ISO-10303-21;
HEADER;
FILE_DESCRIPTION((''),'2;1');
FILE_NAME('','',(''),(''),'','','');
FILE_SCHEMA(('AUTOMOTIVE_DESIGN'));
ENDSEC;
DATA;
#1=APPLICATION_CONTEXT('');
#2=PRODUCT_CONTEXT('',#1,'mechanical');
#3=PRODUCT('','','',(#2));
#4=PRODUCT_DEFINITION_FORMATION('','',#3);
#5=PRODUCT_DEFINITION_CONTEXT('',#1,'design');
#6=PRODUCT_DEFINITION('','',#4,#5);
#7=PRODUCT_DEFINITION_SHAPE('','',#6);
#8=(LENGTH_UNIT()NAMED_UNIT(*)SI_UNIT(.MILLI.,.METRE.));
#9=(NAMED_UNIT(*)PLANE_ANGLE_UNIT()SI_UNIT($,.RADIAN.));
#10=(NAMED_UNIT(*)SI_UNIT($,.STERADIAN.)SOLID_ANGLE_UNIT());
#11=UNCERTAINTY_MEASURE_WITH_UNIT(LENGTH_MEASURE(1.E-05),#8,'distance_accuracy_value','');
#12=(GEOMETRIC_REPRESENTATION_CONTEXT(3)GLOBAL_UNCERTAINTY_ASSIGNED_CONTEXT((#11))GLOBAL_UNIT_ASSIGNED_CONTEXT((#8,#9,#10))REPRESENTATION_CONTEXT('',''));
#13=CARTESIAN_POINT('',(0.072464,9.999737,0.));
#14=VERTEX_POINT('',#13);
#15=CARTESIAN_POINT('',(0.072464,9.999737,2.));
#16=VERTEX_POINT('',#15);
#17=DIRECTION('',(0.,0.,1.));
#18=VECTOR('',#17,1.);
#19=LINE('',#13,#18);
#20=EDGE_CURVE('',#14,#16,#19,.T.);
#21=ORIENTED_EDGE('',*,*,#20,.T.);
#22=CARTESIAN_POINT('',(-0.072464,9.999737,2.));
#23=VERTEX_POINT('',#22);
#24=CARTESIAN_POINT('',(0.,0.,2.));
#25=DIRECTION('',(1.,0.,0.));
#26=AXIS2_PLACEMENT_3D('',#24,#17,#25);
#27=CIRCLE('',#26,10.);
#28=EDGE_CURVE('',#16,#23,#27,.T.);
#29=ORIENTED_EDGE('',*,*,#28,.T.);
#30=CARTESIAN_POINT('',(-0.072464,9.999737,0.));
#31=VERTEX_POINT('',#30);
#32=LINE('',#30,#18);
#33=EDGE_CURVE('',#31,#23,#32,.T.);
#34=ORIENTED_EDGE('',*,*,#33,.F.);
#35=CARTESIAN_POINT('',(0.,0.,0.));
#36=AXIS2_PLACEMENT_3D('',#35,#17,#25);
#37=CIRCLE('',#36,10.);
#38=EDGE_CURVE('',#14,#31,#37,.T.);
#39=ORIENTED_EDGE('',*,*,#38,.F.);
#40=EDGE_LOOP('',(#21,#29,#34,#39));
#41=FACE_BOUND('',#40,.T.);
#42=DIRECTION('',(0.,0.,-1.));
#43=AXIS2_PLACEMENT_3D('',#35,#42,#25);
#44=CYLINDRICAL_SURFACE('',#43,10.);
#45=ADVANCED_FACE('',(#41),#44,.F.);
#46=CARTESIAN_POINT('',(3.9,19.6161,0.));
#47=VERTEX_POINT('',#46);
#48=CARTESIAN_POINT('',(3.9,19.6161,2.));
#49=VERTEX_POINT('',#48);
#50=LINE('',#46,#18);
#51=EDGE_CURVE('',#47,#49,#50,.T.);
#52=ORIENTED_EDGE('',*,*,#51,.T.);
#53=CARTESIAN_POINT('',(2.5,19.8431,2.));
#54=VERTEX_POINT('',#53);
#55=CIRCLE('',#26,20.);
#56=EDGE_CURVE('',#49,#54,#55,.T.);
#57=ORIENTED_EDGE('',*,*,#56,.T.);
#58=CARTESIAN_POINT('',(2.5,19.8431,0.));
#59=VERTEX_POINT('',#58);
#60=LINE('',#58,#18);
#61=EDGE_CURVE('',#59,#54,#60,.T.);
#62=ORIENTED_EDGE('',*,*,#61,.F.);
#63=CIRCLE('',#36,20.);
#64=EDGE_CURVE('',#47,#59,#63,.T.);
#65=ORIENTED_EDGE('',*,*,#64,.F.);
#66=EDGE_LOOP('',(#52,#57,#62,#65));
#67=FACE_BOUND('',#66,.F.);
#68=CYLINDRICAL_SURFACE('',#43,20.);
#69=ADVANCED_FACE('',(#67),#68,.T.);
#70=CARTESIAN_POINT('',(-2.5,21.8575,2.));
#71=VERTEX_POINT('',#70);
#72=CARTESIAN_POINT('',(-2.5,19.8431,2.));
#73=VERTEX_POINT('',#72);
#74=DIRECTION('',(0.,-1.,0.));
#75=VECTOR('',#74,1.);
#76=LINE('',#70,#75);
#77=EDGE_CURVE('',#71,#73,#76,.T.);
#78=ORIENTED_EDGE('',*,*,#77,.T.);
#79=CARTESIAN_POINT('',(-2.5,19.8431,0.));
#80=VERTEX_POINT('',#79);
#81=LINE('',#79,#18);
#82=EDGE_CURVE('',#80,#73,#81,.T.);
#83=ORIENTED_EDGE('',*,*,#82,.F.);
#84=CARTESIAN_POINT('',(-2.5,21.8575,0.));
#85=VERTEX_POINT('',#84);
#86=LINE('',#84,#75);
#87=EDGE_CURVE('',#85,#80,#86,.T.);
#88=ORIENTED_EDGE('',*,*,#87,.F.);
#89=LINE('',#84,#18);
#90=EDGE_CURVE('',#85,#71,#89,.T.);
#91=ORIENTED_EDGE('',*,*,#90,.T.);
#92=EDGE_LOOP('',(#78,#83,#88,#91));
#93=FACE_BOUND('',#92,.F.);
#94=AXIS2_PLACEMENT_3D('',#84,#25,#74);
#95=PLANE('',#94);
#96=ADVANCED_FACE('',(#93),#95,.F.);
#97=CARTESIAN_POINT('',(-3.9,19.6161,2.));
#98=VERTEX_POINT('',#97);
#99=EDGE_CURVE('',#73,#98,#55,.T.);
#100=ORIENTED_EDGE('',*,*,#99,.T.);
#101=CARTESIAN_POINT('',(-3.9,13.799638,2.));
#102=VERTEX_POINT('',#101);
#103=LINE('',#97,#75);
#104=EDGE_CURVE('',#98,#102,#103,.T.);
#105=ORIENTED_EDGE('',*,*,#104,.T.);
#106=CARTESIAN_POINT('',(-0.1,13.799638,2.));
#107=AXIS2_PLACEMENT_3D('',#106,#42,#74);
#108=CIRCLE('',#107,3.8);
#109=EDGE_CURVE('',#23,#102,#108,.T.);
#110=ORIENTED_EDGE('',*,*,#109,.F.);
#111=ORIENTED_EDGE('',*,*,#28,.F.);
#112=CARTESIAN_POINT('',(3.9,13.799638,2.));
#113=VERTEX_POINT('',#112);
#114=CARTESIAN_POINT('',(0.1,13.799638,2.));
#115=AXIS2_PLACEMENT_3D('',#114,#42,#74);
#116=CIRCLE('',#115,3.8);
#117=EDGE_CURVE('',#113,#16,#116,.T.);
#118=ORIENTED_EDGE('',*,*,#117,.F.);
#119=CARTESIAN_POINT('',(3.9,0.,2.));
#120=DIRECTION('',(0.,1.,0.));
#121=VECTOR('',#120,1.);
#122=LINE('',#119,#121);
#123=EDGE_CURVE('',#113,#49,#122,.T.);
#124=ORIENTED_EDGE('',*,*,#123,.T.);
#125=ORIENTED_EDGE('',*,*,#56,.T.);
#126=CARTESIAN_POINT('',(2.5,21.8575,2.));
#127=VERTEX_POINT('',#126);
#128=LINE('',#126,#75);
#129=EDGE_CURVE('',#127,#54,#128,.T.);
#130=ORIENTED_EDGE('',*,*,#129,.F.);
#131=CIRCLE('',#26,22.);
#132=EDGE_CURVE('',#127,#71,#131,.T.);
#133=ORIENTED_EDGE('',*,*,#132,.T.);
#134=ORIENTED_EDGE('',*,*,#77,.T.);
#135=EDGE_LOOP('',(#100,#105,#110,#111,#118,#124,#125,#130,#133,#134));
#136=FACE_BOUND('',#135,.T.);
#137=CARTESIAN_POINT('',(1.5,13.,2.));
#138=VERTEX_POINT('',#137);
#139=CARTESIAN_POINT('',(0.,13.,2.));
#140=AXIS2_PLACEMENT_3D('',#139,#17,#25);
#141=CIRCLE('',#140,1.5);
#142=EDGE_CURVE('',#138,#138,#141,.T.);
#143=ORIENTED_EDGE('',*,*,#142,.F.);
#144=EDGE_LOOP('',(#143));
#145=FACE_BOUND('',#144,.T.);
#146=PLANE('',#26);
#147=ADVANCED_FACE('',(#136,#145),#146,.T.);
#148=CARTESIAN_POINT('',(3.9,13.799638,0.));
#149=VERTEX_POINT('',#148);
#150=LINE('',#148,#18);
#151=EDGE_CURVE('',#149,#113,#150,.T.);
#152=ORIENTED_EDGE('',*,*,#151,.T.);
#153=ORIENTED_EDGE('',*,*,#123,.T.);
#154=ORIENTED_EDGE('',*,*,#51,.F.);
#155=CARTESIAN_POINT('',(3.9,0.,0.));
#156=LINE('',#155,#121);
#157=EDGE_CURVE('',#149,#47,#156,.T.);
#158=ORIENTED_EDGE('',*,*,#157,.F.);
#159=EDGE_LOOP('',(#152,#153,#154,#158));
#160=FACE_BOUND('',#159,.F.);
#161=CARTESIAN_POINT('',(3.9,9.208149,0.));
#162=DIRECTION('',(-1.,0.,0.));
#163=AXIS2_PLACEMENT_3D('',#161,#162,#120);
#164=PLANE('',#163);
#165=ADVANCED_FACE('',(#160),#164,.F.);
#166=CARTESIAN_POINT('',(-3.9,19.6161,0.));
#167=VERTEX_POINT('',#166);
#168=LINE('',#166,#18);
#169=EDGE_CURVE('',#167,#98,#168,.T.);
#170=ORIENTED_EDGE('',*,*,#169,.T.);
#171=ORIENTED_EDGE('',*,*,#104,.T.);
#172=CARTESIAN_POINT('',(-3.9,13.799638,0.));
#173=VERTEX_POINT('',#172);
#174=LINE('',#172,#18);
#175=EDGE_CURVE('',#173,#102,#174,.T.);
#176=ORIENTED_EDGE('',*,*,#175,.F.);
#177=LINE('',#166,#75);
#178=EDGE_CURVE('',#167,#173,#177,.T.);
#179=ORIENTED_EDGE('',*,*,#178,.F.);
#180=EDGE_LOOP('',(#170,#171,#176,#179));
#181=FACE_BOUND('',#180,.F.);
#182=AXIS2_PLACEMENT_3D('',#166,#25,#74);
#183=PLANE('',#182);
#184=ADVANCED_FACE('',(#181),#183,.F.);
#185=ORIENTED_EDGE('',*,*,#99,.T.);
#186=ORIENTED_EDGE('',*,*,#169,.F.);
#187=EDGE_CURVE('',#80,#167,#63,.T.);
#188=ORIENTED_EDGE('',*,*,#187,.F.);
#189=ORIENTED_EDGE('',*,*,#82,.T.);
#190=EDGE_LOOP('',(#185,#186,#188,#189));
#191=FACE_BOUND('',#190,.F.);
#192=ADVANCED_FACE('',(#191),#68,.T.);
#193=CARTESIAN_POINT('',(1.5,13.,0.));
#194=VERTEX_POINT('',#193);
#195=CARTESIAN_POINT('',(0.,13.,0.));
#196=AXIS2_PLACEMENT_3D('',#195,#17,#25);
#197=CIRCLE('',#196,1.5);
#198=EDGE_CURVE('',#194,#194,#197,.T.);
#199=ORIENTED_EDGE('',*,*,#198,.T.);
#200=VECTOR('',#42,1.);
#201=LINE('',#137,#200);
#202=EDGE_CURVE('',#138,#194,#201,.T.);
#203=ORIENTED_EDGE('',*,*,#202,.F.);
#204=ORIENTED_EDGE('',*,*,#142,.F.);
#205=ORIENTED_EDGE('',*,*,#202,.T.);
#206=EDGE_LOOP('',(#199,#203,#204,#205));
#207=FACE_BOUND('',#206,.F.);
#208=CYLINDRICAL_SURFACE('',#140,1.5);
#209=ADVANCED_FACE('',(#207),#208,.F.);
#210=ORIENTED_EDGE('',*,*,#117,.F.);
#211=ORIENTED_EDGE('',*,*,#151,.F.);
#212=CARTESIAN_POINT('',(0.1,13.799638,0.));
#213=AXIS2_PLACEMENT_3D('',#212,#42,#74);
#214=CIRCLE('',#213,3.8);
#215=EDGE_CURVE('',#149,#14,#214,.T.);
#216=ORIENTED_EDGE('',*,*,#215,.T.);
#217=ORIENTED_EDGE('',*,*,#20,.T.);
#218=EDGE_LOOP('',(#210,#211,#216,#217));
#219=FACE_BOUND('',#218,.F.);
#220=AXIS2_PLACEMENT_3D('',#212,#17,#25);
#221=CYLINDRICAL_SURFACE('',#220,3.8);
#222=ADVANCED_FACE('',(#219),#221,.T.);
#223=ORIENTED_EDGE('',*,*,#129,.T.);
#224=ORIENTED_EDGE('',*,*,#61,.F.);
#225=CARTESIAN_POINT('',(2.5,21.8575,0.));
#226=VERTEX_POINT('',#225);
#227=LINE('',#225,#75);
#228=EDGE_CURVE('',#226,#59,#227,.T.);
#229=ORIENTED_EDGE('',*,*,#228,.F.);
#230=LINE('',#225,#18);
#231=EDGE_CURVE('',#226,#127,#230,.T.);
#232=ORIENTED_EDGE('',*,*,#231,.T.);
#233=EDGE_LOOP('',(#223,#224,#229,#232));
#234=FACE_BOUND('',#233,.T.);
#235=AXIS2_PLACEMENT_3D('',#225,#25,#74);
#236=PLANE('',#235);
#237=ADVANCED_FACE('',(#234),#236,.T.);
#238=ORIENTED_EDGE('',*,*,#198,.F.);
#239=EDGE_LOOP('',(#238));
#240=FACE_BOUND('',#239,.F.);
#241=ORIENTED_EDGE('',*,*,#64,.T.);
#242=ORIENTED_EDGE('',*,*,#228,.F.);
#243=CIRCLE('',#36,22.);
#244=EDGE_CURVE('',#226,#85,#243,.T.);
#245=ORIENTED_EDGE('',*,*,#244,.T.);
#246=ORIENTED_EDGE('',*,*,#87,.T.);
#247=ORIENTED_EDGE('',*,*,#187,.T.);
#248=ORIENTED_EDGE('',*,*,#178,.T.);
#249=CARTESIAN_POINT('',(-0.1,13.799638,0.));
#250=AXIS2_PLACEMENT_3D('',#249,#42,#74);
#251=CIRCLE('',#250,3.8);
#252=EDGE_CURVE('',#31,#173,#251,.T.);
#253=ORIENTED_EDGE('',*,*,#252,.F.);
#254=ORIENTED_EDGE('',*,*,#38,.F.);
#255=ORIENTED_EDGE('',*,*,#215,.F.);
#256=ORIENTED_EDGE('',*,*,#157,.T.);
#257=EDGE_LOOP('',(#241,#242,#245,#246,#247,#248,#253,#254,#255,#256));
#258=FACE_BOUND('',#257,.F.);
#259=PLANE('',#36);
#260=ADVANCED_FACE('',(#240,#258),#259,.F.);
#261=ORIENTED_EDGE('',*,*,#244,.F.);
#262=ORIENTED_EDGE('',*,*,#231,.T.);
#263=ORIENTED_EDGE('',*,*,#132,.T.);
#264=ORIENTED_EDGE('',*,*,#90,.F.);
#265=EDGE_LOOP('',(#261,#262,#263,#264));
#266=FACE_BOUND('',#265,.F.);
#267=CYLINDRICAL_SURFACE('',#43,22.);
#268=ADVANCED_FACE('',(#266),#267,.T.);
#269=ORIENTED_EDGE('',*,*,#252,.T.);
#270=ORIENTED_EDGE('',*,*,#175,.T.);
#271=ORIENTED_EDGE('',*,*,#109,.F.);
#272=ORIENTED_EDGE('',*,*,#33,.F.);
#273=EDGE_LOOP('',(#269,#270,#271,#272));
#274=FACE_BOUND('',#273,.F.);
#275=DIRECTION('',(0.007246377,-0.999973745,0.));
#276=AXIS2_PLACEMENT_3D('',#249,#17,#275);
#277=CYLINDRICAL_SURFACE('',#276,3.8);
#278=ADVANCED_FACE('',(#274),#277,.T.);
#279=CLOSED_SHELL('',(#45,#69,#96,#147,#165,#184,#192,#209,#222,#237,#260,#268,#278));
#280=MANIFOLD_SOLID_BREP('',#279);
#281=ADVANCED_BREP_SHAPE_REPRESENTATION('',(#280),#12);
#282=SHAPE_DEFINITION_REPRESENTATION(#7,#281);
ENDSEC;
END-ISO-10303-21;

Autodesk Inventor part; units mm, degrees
ref_plane "YZ Plane" through (0, 0, 0) normal (1, 0, 0) x (0, 1, 0)
ref_plane "XZ Plane" through (0, 0, 0) normal (0, 1, 0) x (-1, 0, 0)
ref_plane "XY Plane" through (0, 0, 0) normal (0, 0, 1) x (1, 0, 0)
sketch "스케치1" plane through (0, 0, 0) normal (0, 0, 1) x (1, 0, 0)
  circle A0 centre (0, 0) radius 20
  line L0 (-3.9, 19.6161) -> (-3.9, 0)
  line L1 (-3.9, 0) -> (3.9, 0)
  line L2 (3.9, 0) -> (3.9, 19.6161)
  circle A1 centre (0, 0) radius 10
  line L3 (-2.5, 21.8575) -> (-2.5, 19.8431)
  line L4 (2.5, 21.8575) -> (2.5, 19.8431)
  circle A2 centre (0, 0) radius 22
  point P0 (0, 0)
  point P1 (0, 0)
  point P2 (-3.9, 9.2081)
  point P3 (3.9, 9.2081)
  dimension "d0" = 40
  dimension "d1" = 7.8
  dimension "d5" = 20
  dimension "d13" = 2
  dimension "d14" = 5
  dimension "d15" = 2.5
extrude "돌출1" add sketch "스케치1" along normal blind 2 contours L2 A1 L0 A0 | A0 L3 A2 L4 picked at (1.4966, 13.2144) picked at (-1.9451, 20.5611)
sketch "스케치2" plane through (0, 0, 2) normal (0, 0, 1) x (1, 0, 0)
  circle A0 centre (0, 13) radius 1.5
  arc A1 (3.9, 9.2081) -> (-3.9, 9.2081) centre (0, 0) ccw projected
  point P0 (0, 0)
  point P1 (0, 10)
  dimension "d6" = 3
  dimension "d7" = 3
extrude "돌출2" cut sketch "스케치2" against normal through all
fillet "모깎기1" radius 3.8 2 edges at (-3.9, 9.2081, 1) (3.9, 9.2081, 1)
equation "\"d15\" = 0.5 * d14"
properties part number "ModuleConnector_Outside_Axis_3D 인쇄"
